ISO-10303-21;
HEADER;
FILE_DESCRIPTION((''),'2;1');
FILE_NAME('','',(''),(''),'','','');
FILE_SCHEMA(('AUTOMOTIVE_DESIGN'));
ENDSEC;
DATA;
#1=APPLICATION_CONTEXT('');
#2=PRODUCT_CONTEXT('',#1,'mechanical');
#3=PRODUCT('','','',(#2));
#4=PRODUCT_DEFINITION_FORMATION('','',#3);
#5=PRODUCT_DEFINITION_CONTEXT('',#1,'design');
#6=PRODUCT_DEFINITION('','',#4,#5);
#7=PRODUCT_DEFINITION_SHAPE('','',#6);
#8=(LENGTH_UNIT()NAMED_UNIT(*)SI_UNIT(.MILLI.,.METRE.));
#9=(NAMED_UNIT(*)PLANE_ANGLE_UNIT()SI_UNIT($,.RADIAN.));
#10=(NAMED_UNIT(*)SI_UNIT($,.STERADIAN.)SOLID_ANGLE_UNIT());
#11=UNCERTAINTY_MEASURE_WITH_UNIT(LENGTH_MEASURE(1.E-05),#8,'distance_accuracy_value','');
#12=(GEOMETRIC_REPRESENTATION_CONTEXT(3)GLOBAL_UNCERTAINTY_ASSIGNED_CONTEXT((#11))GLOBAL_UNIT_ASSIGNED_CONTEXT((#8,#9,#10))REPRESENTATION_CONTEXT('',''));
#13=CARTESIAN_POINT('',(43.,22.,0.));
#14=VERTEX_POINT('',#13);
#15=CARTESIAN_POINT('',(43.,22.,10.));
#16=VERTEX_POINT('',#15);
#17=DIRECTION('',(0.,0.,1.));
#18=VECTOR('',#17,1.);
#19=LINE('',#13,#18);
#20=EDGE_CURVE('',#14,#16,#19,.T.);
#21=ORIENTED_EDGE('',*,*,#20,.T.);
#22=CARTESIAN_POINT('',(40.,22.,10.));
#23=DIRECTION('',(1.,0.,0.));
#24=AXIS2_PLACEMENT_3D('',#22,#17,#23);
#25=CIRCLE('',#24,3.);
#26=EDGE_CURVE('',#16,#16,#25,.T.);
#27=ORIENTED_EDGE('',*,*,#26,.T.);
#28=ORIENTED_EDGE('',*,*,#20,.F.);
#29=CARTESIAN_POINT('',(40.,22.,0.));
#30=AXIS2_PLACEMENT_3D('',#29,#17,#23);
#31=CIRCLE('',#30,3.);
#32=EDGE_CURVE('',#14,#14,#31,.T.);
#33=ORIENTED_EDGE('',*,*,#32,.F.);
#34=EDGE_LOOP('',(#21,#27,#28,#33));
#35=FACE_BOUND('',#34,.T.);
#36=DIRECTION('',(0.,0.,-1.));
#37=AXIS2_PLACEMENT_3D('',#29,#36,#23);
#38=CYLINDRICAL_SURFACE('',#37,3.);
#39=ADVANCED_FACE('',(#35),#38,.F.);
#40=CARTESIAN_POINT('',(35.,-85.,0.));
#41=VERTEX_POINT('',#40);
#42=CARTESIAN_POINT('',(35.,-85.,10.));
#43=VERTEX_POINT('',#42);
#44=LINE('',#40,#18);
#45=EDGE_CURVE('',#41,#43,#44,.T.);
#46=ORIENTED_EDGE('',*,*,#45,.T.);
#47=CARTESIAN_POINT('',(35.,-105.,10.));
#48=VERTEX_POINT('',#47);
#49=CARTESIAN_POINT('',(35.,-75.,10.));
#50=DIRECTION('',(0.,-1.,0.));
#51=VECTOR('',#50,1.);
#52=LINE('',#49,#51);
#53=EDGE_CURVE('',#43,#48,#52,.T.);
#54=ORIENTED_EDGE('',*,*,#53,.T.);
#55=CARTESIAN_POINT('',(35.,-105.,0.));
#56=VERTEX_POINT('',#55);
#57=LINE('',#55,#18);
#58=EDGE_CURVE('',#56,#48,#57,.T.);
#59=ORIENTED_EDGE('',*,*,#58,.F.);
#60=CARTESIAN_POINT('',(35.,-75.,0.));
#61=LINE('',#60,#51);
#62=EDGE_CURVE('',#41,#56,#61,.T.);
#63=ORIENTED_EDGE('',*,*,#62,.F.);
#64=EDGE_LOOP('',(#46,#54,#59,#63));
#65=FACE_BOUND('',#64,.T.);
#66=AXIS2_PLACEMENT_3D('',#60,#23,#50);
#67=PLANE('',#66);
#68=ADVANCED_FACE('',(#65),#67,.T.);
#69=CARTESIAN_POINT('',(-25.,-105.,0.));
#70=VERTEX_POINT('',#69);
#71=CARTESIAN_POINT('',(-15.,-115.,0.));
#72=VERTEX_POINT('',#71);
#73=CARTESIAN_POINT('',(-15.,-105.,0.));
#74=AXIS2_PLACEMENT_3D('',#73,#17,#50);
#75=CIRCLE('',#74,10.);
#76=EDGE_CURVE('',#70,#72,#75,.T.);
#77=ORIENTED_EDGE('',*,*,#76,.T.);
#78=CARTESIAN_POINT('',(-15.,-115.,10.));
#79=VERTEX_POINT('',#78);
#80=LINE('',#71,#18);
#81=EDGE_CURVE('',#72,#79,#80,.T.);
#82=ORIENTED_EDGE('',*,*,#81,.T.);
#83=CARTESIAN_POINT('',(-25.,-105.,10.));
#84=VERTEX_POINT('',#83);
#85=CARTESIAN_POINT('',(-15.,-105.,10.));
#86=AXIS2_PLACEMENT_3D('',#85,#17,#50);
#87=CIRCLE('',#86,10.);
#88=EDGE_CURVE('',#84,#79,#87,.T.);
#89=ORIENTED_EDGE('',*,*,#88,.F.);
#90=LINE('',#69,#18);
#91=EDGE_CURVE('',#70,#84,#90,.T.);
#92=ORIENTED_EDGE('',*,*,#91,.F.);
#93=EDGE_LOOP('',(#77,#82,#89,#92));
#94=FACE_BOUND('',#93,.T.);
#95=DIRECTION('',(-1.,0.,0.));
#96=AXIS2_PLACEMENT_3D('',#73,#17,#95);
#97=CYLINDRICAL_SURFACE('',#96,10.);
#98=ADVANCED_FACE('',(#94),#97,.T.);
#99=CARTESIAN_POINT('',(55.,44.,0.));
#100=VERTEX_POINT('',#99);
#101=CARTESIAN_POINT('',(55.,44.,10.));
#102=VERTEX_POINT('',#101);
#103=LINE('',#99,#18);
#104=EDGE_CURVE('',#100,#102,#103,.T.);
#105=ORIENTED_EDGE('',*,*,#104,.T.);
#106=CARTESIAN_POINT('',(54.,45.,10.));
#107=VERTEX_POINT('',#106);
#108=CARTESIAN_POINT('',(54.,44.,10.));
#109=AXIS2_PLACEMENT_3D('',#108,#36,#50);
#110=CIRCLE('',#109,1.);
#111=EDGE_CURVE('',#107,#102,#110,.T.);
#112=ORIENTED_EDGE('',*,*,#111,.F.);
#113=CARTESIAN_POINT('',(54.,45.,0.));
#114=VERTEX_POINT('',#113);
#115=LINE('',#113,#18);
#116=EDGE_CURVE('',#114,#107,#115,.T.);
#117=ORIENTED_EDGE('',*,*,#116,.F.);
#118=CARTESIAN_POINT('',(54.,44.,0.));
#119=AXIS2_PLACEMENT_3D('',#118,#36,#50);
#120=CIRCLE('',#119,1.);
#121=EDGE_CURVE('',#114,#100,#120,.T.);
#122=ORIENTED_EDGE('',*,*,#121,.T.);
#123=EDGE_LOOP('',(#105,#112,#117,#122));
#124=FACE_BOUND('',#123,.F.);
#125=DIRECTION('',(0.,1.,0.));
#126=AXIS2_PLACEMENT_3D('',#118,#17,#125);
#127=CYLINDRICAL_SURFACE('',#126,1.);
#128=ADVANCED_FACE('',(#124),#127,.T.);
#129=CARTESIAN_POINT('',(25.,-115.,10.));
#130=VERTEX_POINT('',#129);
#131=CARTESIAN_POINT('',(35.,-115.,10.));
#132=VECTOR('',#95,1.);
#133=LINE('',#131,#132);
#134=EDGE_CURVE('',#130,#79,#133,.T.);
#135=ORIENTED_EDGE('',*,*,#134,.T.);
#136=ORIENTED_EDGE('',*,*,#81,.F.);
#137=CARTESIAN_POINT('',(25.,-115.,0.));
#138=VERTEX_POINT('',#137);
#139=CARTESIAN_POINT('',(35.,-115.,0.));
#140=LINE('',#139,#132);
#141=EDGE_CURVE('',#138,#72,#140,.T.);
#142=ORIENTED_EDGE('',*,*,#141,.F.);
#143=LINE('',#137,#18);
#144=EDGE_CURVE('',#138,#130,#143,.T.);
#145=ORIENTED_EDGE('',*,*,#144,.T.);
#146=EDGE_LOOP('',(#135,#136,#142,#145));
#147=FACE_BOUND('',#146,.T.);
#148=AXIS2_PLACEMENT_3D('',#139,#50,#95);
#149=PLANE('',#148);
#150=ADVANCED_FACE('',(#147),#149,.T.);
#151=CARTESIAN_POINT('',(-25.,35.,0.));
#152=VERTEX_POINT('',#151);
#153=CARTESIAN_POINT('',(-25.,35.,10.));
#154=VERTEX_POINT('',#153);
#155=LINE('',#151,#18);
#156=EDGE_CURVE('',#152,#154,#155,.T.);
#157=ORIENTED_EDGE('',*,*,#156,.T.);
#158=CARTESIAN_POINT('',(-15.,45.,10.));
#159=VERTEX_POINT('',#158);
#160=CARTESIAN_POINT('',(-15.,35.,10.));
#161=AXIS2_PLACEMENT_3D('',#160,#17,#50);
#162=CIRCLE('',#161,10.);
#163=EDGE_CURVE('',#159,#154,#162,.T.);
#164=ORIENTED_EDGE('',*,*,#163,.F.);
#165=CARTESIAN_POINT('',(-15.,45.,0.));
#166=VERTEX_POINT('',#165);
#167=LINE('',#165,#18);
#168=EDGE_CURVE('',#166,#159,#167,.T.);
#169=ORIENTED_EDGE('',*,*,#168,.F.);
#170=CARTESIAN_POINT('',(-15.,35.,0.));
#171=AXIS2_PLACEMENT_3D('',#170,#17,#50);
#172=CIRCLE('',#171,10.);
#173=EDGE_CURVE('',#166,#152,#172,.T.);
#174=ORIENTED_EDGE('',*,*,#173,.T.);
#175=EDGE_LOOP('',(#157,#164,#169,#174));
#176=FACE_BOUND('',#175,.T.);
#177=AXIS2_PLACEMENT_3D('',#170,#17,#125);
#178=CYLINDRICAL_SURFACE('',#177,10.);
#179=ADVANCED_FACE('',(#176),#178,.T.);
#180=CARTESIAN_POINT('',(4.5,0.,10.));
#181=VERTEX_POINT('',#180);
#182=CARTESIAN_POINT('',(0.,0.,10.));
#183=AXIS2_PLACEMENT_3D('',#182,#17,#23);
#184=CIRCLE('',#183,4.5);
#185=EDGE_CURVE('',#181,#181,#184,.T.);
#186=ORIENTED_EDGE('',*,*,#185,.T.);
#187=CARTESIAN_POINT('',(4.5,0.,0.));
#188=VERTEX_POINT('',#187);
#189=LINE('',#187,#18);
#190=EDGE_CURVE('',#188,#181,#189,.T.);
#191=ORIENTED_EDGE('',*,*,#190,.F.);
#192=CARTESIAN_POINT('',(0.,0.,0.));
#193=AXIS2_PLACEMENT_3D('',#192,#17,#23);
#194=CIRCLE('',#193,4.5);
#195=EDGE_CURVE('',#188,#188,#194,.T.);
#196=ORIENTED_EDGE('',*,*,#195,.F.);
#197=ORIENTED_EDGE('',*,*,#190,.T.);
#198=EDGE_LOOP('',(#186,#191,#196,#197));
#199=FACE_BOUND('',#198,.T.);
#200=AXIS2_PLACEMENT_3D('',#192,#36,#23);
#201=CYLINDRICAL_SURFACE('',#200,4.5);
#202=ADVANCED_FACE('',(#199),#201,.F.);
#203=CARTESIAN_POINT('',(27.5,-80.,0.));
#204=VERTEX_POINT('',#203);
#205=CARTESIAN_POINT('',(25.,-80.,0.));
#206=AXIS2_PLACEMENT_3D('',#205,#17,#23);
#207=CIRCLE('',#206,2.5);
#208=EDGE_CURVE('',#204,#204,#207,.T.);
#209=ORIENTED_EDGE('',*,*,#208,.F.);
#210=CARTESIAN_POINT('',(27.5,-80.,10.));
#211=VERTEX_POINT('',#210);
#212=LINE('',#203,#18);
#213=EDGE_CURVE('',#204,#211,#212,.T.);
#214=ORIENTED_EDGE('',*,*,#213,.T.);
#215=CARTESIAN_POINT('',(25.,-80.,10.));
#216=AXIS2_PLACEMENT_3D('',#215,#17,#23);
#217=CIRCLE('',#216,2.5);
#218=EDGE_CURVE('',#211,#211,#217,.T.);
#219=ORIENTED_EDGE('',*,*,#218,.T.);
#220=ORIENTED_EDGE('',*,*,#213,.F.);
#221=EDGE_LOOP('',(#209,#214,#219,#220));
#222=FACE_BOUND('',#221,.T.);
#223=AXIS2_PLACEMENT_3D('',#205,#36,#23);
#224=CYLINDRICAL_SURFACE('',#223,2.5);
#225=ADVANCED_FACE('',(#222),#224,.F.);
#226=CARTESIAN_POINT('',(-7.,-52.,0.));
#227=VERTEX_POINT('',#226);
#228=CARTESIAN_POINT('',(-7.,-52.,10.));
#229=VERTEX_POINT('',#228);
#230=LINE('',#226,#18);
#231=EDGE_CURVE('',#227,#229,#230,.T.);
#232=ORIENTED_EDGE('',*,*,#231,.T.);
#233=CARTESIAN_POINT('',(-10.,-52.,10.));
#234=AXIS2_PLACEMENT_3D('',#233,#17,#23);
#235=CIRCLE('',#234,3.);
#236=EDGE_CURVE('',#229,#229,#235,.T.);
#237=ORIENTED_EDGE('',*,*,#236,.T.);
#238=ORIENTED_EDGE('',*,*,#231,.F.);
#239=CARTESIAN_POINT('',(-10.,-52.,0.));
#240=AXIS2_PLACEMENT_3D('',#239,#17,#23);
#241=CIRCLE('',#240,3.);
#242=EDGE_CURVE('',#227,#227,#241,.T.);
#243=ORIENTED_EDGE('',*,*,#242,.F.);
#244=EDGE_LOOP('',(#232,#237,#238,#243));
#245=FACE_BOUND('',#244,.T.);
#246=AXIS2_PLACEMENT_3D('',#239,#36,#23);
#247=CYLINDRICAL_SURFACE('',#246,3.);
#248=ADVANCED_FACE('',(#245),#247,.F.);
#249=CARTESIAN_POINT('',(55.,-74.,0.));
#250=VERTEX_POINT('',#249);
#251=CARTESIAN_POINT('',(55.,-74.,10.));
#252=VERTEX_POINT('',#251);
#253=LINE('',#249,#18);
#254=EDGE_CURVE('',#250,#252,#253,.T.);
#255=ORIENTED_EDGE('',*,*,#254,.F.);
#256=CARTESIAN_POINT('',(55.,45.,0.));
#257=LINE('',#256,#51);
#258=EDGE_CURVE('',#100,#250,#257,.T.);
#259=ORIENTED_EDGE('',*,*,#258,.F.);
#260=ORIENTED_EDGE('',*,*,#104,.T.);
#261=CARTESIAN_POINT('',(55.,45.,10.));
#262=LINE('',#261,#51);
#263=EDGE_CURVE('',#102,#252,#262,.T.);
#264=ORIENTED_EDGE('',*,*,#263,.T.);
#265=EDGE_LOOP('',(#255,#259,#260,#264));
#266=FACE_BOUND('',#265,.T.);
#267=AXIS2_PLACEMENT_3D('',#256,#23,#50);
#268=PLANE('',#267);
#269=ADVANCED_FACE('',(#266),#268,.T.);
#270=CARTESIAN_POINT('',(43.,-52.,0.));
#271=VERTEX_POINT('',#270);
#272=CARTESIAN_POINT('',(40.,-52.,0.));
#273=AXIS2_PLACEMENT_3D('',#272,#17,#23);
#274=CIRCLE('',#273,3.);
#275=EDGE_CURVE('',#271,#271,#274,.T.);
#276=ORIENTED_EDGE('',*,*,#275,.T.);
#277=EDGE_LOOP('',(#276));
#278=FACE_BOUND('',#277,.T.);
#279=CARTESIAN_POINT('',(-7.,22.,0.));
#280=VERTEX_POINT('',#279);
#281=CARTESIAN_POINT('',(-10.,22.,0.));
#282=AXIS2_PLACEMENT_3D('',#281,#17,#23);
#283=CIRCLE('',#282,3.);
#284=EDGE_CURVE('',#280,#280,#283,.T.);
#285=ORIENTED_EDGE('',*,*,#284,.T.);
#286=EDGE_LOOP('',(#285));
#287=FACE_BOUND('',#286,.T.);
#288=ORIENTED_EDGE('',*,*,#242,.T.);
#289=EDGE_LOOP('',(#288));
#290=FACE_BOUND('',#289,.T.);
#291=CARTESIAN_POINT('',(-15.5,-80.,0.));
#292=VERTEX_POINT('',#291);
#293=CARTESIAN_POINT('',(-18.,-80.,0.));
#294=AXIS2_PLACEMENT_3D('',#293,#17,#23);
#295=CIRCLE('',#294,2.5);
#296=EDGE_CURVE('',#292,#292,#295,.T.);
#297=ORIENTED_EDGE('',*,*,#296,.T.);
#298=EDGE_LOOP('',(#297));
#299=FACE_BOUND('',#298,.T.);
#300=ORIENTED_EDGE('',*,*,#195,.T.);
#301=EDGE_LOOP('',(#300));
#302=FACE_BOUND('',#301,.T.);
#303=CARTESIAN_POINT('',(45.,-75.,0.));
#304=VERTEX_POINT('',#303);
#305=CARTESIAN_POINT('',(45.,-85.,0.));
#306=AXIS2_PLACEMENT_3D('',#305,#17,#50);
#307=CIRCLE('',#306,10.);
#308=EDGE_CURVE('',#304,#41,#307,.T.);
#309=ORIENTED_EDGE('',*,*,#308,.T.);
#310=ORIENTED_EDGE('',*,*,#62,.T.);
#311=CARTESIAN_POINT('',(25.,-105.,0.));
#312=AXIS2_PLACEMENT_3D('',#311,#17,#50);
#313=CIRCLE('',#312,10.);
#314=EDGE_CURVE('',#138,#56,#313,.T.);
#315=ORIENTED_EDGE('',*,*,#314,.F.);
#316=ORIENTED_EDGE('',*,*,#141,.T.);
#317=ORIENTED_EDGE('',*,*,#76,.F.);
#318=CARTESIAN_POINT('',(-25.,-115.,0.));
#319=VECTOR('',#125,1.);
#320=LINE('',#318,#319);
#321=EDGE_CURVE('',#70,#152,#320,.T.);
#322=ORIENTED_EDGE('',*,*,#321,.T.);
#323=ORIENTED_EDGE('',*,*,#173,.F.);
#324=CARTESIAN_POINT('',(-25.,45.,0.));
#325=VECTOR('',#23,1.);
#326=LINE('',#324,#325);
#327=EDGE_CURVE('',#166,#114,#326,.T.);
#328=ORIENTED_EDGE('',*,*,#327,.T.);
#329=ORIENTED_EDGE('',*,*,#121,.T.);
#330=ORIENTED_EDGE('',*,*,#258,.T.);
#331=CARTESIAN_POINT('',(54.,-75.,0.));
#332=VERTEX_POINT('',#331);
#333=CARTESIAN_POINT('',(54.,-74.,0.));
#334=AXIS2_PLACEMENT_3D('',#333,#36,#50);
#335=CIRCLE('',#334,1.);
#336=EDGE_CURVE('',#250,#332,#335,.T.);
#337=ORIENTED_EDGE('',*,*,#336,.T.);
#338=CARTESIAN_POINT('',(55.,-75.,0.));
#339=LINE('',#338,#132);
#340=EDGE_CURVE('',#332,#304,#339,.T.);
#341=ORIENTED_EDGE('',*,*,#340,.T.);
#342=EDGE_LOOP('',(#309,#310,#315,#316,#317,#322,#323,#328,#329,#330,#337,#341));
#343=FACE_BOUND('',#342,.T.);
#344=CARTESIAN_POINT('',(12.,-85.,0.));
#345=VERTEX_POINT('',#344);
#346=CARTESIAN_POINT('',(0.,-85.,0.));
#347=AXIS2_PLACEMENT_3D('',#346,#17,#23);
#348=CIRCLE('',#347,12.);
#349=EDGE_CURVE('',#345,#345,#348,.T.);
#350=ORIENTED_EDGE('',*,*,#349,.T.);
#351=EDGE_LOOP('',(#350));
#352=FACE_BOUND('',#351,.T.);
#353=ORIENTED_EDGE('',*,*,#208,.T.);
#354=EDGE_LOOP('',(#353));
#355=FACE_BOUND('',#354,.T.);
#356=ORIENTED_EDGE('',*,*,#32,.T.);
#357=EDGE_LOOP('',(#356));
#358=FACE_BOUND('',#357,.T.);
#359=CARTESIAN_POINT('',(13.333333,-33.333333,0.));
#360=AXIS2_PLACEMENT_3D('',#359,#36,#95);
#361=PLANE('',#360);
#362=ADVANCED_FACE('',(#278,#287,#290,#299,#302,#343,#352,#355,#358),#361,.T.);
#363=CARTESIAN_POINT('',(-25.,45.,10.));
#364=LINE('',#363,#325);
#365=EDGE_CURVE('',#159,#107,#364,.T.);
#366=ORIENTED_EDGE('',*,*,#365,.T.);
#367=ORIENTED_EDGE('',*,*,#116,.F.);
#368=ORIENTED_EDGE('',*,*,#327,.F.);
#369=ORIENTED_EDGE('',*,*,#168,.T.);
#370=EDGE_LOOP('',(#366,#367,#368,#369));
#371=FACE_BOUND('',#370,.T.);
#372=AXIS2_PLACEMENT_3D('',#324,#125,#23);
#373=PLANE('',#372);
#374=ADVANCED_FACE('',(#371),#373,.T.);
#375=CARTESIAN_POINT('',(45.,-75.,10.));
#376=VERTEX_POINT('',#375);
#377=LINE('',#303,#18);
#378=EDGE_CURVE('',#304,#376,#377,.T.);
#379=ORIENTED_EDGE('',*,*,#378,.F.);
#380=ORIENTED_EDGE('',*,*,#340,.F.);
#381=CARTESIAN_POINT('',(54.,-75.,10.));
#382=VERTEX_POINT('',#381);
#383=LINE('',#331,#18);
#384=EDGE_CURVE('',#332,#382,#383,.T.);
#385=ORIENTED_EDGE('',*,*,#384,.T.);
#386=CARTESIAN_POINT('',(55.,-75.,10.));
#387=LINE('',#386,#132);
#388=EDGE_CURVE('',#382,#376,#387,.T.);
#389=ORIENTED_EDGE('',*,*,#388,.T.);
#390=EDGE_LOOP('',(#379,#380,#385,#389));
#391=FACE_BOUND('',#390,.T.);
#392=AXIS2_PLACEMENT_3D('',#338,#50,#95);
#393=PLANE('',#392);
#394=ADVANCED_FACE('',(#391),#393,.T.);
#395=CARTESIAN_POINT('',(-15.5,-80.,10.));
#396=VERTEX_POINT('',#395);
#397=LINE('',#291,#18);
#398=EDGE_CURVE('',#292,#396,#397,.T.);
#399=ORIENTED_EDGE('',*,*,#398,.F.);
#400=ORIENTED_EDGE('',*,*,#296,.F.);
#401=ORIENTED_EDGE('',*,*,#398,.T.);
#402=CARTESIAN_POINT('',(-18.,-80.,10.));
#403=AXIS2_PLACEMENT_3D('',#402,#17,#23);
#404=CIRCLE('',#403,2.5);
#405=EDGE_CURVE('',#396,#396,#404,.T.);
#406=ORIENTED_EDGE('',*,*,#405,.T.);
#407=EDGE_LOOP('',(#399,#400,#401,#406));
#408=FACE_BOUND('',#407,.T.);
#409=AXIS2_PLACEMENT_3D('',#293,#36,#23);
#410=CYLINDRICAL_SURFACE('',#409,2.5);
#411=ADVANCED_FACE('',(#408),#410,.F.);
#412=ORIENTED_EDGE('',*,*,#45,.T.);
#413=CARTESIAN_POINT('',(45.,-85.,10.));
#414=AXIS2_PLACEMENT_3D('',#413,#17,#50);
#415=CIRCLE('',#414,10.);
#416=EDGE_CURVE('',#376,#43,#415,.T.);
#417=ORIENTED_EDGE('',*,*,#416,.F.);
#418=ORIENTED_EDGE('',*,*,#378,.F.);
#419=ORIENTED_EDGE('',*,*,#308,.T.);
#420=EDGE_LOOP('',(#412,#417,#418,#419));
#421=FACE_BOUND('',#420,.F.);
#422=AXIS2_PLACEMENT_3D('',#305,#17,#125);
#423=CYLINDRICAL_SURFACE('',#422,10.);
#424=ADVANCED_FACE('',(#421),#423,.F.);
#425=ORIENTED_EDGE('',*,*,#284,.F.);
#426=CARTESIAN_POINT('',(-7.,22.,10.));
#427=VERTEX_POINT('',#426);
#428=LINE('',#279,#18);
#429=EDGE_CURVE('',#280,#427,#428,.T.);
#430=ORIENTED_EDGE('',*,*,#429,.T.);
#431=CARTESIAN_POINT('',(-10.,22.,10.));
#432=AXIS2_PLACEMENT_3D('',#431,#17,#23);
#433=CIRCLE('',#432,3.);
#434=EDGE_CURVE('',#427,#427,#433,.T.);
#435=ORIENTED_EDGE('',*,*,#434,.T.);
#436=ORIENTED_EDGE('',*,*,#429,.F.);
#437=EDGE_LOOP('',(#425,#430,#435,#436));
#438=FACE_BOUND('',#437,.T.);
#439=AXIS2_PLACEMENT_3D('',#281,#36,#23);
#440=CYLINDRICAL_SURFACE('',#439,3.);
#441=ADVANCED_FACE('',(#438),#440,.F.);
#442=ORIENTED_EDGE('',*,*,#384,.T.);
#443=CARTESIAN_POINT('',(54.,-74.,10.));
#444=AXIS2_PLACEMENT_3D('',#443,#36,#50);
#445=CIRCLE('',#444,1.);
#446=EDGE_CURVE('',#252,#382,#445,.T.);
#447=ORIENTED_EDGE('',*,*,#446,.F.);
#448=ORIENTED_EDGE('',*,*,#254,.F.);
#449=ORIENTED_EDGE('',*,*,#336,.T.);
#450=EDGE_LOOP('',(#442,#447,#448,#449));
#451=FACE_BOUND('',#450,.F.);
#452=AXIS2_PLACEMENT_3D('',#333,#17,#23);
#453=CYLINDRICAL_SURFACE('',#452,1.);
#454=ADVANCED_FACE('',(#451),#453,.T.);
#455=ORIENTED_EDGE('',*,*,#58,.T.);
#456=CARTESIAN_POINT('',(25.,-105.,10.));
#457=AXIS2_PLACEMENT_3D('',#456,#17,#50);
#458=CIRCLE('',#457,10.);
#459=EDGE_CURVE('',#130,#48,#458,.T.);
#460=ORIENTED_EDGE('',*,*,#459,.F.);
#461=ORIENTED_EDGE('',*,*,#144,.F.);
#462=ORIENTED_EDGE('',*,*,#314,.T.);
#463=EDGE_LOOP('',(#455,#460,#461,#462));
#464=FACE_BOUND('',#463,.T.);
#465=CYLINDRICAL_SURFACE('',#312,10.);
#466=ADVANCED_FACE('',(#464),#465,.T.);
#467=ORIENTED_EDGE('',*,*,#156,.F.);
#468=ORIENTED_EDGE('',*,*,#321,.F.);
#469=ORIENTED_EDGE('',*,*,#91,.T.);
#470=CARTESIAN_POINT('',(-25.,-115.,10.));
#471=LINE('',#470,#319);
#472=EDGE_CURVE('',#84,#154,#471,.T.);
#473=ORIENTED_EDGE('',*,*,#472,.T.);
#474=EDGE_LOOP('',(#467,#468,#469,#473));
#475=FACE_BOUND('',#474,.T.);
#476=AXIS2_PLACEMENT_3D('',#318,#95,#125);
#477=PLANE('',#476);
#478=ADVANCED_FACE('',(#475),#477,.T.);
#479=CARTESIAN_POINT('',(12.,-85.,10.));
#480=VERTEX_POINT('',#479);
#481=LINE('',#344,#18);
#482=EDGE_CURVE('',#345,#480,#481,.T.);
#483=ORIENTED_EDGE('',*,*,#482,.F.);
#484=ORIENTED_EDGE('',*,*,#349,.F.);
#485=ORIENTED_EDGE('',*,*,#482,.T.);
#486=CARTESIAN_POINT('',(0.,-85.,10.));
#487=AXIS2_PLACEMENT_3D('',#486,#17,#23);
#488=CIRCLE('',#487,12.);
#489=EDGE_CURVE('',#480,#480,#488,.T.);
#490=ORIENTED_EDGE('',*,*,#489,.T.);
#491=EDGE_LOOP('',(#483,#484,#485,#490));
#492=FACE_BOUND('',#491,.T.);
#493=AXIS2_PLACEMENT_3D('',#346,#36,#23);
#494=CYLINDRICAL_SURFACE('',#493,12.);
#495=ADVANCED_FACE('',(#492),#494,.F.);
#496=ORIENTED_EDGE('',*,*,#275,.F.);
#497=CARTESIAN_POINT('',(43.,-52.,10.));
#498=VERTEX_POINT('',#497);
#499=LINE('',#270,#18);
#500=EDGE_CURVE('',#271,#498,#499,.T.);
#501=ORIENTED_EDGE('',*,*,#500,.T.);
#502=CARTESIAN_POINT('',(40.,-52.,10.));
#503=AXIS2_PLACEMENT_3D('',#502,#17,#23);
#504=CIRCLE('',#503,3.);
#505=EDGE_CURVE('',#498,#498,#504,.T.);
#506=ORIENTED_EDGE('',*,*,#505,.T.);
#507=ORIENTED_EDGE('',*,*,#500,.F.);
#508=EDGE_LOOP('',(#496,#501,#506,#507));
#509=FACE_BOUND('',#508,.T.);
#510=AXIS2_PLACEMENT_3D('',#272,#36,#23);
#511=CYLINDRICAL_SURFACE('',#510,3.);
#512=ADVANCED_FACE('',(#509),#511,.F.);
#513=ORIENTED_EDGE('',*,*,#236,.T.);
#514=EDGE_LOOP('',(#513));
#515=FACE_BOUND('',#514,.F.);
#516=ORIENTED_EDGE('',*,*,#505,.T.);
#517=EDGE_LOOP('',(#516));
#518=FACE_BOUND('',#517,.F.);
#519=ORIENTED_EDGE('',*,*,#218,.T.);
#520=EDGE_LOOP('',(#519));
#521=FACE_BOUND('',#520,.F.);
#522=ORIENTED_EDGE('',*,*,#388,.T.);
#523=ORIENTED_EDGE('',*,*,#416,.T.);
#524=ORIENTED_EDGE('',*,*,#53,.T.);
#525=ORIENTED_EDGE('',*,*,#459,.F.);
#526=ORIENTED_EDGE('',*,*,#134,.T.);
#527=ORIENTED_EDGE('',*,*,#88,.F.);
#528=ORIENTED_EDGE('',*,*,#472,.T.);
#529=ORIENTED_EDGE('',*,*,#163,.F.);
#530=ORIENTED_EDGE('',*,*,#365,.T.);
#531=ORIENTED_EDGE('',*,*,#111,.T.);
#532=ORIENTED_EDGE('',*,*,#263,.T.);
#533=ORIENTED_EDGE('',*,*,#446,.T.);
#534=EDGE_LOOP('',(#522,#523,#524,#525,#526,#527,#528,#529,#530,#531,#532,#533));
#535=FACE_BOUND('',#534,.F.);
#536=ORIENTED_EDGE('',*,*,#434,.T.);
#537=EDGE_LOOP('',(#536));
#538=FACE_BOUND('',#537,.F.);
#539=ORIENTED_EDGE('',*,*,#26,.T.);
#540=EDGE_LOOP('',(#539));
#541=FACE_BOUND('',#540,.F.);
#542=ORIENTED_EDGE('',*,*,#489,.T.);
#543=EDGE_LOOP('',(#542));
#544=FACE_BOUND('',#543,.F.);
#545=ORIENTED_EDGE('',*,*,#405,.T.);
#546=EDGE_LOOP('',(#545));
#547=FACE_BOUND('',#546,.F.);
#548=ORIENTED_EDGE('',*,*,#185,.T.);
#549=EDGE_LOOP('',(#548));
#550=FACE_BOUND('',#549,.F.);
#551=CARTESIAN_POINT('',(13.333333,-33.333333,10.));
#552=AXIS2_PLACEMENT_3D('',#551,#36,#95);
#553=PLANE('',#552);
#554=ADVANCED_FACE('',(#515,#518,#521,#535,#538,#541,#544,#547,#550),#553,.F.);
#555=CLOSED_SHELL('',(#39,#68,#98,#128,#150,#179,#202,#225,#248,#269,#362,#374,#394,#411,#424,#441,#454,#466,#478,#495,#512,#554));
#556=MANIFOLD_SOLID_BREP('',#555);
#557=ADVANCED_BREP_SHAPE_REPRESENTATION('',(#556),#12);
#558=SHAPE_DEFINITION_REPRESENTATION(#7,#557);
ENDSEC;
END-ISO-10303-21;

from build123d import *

# Parameters (mm, degrees)
SKETCH_R    = 4.5
SKETCH_R_2  = 12
SKETCH_R_3  = 3
SKETCH_R_4  = 2.5
PAD_DEPTH   = 10
FILLET_R    = 10
FILLET001_R = 1


with BuildPart() as part:
    # Sketch → Pad (new body)
    with BuildSketch(Plane.XY):
        Polygon((-25, 45), (55, 45), (55, -75), (35, -75), (35, -115), (-25, -115), align=None)
        Circle(SKETCH_R, mode=Mode.SUBTRACT)
        with Locations((0, -85)):
            Circle(SKETCH_R_2, mode=Mode.SUBTRACT)
        with Locations((-10, -52)):
            Circle(SKETCH_R_3, mode=Mode.SUBTRACT)
        with Locations((40, -52)):
            Circle(SKETCH_R_3, mode=Mode.SUBTRACT)
        with Locations((40, 22)):
            Circle(SKETCH_R_3, mode=Mode.SUBTRACT)
        with Locations((-10, 22)):
            Circle(SKETCH_R_3, mode=Mode.SUBTRACT)
        with Locations((25, -80)):
            Circle(SKETCH_R_4, mode=Mode.SUBTRACT)
        with Locations((-18, -80)):
            Circle(SKETCH_R_4, mode=Mode.SUBTRACT)
    extrude(amount=PAD_DEPTH)

    # Fillet
    fillet_edges = [part.edges().sort_by_distance(p)[0] for p in [
        (35, -115, 5),
        (-25, -115, 5),
        (35, -75, 5),
        (-25, 45, 5),
    ]]
    fillet(fillet_edges, radius=FILLET_R)

    # Fillet001
    fillet001_edges = [part.edges().sort_by_distance(p)[0] for p in [
        (55, -75, 5),
        (55, 45, 5),
    ]]
    fillet(fillet001_edges, radius=FILLET001_R)


solid = part.part
